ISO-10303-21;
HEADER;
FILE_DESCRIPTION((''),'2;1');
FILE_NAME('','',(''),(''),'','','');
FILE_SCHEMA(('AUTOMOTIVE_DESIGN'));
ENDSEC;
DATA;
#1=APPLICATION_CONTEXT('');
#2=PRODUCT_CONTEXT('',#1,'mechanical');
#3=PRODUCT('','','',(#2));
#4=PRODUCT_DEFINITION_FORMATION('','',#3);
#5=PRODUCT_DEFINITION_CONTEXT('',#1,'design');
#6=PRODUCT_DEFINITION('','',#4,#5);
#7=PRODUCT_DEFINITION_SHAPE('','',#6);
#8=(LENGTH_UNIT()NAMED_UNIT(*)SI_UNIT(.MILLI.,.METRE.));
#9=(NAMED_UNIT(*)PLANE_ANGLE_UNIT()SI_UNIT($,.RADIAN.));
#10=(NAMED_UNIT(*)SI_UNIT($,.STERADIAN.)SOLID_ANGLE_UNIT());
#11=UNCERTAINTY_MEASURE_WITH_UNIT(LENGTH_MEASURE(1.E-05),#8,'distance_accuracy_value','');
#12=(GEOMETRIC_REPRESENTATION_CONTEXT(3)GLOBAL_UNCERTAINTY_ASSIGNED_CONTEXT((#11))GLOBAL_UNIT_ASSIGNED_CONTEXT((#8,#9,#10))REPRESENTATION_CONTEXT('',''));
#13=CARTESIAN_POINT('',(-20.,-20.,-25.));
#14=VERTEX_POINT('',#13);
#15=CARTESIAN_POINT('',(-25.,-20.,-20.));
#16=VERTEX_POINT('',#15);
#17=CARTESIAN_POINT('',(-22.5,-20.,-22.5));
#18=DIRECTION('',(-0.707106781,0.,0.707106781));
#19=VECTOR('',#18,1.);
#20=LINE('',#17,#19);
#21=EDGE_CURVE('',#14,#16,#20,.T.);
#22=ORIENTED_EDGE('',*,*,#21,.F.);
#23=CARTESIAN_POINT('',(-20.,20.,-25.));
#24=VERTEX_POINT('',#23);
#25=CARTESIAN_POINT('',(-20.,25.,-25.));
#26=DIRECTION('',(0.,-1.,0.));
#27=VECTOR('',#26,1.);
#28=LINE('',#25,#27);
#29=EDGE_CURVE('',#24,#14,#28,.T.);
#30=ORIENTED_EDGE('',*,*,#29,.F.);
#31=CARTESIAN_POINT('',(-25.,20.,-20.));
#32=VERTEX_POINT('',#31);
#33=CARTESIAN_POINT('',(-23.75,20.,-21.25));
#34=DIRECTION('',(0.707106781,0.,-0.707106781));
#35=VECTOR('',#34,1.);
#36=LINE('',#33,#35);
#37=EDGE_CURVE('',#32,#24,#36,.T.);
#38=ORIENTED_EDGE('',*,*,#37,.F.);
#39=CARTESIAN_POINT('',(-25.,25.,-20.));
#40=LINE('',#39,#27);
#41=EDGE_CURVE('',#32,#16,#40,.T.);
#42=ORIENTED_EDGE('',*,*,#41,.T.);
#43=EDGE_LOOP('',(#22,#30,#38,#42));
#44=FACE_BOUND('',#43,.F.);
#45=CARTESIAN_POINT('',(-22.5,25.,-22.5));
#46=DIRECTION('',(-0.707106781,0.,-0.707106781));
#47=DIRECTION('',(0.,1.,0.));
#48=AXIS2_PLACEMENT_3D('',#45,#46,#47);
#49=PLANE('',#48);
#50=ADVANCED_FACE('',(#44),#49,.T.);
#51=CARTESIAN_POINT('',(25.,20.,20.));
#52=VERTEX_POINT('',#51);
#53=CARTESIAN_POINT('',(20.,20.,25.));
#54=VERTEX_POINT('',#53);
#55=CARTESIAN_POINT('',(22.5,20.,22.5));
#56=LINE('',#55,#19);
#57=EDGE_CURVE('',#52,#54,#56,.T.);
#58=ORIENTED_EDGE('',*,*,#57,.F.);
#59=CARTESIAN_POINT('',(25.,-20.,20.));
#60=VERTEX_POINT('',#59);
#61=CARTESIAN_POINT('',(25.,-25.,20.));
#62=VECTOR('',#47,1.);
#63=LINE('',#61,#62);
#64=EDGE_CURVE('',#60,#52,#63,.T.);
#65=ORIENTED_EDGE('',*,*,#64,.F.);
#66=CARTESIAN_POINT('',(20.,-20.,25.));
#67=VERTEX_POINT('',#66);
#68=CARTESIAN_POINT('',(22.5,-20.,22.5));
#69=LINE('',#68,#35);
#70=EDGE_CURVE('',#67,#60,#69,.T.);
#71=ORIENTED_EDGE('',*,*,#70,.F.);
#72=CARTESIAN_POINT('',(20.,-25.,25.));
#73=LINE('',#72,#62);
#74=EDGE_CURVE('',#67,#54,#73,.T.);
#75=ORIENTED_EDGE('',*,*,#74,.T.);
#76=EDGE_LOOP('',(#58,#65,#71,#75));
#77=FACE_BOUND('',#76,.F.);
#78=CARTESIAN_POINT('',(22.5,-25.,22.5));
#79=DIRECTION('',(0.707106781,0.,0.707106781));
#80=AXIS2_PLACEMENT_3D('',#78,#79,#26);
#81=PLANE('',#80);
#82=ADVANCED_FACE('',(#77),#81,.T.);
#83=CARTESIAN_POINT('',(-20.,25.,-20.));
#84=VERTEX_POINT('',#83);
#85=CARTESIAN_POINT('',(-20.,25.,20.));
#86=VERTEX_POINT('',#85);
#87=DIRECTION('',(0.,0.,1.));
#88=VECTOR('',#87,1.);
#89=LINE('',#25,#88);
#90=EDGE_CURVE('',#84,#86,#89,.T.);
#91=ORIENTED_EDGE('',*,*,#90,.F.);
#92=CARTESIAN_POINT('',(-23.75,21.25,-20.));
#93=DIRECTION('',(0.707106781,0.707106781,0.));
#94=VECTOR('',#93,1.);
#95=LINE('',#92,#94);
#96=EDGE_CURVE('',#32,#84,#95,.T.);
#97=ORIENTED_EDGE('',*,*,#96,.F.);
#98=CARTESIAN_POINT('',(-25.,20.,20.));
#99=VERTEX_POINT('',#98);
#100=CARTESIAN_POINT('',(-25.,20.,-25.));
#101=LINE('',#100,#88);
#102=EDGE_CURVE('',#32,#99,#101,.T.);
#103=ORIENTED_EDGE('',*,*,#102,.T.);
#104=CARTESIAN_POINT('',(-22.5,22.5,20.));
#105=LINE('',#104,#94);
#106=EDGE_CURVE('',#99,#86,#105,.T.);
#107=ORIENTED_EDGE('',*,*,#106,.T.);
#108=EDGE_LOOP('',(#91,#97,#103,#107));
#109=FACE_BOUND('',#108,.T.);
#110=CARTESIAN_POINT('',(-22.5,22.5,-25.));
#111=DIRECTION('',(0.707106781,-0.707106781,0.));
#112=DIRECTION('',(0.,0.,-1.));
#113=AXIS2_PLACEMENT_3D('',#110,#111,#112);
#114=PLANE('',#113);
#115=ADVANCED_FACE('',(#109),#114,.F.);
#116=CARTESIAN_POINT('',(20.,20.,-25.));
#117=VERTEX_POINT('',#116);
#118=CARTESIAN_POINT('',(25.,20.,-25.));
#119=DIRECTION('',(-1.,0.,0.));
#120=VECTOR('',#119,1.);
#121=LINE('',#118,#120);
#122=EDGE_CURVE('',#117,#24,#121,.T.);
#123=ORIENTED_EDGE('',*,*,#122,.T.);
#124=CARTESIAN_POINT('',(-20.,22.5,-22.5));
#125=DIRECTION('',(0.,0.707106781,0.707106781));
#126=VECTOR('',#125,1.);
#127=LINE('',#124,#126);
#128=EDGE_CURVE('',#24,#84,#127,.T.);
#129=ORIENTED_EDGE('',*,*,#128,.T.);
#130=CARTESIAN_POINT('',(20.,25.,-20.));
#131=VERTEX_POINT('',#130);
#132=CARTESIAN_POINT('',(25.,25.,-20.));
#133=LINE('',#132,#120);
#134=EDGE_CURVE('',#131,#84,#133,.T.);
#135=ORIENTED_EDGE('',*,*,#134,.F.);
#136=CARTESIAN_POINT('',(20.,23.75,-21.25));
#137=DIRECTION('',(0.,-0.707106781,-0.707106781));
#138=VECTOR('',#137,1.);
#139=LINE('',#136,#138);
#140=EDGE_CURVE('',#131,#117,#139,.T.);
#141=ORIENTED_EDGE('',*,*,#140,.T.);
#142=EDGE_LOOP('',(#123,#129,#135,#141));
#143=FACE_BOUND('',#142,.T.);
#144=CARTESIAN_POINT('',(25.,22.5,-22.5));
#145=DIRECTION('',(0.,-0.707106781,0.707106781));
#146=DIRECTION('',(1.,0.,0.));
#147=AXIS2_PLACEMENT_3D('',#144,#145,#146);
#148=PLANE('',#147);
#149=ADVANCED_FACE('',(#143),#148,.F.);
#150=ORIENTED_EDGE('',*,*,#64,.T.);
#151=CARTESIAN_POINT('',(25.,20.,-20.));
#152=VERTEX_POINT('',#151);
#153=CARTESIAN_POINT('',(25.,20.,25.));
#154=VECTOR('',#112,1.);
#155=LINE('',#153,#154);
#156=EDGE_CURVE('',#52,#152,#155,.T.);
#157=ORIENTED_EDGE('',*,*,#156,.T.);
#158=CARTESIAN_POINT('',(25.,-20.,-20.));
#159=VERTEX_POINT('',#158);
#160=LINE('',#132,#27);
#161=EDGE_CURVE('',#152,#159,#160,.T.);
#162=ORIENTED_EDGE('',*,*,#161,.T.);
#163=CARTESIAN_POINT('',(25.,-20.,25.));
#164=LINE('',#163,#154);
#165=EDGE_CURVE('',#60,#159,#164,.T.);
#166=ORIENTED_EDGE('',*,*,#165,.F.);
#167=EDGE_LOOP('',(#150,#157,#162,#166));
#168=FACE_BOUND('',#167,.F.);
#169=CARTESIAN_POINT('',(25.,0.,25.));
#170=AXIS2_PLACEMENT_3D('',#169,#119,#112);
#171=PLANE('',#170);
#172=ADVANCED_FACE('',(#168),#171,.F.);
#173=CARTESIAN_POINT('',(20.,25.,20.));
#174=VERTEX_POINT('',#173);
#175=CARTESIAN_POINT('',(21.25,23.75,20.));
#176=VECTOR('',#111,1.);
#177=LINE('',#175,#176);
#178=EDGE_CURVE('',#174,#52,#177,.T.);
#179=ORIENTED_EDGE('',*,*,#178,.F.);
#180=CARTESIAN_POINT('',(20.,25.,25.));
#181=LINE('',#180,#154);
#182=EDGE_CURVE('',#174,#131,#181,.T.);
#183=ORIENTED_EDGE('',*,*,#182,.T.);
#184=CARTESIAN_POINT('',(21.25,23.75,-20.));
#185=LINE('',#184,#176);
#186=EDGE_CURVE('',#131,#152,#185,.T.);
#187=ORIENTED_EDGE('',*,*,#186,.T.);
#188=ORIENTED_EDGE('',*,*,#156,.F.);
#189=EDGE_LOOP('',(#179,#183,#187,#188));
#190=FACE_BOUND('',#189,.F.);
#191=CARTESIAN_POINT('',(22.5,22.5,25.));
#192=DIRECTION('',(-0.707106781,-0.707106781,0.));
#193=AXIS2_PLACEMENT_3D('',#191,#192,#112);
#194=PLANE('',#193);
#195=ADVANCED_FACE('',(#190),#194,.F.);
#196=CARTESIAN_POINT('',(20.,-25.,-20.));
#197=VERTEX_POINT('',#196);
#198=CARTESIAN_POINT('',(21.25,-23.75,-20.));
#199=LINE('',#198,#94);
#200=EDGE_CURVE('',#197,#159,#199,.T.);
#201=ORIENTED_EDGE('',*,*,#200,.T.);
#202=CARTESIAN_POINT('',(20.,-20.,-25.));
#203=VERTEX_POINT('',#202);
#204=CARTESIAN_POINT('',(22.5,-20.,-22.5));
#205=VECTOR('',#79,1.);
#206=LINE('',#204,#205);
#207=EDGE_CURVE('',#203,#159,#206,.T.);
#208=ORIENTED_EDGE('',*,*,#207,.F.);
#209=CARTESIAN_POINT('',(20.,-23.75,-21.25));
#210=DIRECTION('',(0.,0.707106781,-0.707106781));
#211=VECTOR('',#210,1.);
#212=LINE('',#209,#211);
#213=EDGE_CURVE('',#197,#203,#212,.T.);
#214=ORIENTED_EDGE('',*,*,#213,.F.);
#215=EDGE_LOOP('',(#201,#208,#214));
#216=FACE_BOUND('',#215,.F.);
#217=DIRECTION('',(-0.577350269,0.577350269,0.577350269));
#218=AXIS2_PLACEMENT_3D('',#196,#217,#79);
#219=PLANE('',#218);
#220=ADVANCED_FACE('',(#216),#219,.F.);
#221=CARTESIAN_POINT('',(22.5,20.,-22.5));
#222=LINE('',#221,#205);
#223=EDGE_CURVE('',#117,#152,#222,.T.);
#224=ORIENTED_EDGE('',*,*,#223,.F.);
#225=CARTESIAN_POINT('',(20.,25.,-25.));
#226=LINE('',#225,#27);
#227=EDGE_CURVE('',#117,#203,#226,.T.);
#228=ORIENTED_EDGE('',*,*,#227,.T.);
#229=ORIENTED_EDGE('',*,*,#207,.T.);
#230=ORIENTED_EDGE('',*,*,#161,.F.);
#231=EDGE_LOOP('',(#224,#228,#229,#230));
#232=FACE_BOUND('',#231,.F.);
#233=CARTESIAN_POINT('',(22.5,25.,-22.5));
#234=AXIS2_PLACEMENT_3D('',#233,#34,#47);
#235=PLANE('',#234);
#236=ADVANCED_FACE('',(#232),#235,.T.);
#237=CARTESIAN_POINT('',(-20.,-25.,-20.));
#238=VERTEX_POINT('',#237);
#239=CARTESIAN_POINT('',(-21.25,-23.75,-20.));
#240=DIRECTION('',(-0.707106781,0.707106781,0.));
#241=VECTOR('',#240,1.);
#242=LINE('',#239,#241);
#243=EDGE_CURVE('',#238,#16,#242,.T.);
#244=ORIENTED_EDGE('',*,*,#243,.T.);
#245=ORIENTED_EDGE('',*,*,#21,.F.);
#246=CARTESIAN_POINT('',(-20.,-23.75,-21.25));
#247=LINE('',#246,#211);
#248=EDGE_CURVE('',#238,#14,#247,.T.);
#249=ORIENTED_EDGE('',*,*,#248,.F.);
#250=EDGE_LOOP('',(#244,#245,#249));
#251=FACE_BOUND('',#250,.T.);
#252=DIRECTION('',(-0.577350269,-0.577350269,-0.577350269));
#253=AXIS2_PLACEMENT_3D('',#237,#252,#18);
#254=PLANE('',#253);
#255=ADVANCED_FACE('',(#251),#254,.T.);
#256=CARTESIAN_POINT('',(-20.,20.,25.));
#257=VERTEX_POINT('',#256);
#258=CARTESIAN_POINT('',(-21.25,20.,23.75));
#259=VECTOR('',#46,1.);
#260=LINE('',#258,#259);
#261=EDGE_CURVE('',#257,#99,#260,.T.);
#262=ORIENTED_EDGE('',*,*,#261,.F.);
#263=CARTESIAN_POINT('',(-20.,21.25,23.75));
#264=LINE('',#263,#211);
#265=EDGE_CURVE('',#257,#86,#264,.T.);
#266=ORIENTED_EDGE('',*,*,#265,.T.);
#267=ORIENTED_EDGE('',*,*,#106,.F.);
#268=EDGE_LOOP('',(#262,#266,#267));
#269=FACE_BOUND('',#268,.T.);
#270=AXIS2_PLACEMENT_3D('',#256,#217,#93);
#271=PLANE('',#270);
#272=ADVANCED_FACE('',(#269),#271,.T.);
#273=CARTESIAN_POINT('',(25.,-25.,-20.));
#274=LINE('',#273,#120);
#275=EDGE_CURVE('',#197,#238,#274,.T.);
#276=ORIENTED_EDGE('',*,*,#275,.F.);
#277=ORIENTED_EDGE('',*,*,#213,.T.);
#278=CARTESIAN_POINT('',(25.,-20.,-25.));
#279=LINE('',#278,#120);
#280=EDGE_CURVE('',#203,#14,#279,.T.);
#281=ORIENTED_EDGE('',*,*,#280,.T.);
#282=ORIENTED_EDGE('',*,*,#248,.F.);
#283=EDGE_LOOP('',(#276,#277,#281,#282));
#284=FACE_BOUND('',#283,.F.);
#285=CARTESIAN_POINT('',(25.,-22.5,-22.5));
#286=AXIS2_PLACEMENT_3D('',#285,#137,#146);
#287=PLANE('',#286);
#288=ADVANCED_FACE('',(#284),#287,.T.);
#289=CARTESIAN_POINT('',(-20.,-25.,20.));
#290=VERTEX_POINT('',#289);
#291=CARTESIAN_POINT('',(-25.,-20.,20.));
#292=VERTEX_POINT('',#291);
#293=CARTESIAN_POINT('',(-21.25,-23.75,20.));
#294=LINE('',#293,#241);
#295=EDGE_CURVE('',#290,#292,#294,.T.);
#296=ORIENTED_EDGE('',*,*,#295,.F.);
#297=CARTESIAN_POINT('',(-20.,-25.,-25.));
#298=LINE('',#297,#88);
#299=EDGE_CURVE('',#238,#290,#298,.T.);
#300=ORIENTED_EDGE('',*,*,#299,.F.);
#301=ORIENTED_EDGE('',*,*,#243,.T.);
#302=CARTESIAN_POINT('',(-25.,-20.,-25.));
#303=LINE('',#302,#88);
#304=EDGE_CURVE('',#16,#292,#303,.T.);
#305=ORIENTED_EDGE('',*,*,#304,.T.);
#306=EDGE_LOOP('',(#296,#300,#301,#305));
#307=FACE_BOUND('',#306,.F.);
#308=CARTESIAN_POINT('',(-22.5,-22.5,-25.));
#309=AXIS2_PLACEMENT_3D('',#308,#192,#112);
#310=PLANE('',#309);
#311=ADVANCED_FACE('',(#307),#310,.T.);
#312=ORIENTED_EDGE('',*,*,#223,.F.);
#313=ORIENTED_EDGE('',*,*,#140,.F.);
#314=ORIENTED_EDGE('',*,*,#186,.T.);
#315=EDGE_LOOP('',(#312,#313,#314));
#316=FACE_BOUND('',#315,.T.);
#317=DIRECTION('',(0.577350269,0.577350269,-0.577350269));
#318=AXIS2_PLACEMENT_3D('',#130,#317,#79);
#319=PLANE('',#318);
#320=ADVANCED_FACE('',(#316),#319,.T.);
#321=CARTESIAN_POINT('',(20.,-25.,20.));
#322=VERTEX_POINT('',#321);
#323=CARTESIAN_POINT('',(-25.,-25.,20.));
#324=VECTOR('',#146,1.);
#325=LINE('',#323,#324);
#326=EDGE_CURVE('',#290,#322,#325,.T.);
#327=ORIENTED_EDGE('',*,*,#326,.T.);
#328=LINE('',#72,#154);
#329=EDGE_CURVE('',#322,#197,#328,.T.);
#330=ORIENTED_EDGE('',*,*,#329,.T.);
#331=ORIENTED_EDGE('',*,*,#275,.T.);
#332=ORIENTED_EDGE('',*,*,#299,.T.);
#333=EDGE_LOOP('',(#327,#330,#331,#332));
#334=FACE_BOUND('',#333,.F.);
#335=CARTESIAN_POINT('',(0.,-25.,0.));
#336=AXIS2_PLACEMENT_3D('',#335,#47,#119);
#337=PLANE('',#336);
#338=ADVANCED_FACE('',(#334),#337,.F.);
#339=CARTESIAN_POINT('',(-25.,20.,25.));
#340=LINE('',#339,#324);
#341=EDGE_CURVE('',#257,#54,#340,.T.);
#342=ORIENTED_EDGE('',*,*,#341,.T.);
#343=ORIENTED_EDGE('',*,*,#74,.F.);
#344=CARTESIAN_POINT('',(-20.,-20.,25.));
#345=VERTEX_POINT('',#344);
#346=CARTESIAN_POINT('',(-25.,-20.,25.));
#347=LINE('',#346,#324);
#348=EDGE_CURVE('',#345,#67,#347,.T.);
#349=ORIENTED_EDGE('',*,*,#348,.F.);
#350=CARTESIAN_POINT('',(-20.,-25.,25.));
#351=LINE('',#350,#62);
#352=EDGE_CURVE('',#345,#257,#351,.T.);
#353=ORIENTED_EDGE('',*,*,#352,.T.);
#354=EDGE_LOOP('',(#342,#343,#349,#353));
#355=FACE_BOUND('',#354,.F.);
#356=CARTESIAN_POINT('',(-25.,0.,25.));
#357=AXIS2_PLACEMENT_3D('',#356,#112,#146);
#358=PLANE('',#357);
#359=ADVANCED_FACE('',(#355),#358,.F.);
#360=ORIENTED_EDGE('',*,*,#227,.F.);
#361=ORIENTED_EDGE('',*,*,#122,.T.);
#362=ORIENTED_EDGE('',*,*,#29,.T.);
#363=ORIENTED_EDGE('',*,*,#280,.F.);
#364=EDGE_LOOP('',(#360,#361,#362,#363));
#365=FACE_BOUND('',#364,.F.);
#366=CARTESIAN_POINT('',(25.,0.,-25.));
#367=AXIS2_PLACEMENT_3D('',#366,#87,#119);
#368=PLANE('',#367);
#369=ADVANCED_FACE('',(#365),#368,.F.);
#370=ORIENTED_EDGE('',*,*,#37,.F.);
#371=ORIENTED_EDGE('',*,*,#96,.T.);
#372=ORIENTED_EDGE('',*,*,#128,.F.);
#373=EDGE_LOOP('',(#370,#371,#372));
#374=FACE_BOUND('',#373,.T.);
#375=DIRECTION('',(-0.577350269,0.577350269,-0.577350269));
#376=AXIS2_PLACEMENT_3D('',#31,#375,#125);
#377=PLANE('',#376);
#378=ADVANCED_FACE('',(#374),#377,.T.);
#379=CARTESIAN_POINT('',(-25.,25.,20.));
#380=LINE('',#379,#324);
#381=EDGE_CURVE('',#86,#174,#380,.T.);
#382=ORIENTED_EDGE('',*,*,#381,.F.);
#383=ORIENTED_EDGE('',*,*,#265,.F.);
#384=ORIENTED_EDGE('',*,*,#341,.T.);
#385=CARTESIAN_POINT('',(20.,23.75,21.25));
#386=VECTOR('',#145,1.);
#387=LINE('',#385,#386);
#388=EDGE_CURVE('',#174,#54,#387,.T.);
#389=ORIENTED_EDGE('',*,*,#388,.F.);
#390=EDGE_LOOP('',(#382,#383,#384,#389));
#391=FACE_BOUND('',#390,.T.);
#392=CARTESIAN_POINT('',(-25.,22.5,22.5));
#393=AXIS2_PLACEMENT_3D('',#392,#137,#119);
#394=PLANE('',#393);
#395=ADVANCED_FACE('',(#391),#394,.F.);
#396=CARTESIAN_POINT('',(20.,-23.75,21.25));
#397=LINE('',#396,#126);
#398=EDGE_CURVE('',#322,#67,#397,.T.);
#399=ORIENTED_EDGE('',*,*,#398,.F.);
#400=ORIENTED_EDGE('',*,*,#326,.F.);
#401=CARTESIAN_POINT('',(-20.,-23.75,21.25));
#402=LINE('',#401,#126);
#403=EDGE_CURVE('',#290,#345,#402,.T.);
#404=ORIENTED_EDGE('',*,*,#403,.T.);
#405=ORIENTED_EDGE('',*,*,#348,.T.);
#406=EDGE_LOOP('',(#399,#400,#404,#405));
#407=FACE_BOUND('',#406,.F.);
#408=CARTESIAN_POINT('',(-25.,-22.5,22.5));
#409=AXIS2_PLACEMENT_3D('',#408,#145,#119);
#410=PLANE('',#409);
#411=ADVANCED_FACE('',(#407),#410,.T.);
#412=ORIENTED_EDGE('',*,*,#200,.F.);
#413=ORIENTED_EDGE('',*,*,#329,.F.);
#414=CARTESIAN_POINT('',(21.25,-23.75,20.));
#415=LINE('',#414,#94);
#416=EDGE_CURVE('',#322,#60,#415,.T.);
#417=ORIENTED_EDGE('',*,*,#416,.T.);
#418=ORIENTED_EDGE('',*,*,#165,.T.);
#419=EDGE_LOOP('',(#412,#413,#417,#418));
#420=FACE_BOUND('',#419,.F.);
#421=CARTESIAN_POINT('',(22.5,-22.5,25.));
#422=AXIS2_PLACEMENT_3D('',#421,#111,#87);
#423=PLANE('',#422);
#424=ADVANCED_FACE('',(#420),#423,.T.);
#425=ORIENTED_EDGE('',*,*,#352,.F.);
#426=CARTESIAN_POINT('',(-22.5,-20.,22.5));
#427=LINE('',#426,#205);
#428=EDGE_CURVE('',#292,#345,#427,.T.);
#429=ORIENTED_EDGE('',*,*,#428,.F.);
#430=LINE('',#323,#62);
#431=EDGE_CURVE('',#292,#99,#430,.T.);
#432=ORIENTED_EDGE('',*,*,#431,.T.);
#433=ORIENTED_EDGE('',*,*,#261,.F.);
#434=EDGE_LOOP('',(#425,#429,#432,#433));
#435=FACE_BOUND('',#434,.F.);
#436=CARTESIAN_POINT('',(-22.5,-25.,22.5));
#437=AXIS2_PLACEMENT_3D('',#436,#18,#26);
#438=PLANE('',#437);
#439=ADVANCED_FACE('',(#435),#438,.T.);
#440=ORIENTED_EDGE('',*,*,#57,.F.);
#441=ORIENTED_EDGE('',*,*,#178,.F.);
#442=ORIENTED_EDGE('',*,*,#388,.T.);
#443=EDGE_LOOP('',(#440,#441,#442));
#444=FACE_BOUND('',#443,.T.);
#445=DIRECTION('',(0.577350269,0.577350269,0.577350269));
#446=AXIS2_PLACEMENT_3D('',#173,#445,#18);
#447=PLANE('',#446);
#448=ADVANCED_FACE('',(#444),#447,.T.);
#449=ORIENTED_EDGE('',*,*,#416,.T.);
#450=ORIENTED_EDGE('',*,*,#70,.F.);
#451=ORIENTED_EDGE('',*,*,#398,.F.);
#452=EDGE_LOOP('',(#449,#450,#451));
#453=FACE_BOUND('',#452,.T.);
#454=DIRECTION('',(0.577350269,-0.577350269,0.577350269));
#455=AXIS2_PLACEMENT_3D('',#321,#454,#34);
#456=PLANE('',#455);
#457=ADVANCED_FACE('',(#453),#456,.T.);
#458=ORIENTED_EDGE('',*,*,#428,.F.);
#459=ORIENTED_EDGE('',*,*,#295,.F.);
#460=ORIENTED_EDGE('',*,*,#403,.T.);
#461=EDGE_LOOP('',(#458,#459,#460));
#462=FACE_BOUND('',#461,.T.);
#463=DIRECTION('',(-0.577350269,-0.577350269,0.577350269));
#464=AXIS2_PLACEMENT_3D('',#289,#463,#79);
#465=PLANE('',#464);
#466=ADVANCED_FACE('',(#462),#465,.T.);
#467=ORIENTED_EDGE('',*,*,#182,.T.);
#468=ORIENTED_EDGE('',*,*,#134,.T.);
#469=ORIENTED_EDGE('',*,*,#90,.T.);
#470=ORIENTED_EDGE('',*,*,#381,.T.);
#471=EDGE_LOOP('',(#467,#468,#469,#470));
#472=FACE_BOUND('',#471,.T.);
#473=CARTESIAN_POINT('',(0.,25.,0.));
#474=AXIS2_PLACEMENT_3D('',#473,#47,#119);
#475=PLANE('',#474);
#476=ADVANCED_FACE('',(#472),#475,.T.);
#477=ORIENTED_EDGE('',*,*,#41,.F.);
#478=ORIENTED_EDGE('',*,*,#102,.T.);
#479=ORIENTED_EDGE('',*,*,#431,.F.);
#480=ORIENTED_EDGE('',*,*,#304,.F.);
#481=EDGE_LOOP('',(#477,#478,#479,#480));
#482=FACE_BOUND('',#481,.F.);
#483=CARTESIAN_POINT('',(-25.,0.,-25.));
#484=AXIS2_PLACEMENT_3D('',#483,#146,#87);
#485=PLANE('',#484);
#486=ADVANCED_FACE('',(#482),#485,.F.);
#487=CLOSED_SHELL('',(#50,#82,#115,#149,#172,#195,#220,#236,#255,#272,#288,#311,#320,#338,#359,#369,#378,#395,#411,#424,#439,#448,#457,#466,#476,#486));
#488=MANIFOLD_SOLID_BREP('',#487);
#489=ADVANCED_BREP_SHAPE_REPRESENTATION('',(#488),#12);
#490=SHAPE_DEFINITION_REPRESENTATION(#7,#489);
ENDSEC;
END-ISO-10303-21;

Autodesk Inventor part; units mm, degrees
ref_plane "YZ Plane" through (0, 0, 0) normal (1, 0, 0) x (0, 1, 0)
ref_plane "XZ Plane" through (0, 0, 0) normal (0, 1, 0) x (-1, 0, 0)
ref_plane "XY Plane" through (0, 0, 0) normal (0, 0, 1) x (1, 0, 0)
sketch "Sketch1" plane through (0, 0, 0) normal (0, 1, 0) x (-1, 0, 0)
  line L0 (25, 25) -> (-25, 25)
  line L1 (-25, 25) -> (-25, -25)
  line L2 (-25, -25) -> (25, -25)
  line L3 (25, -25) -> (25, 25)
  line L4 (25, 25) -> (-25, -25) construction
  line L5 (-25, 25) -> (25, -25) construction
  point P0 (0, 0)
  dimension "d0" = 50
  dimension "d1" = 50
extrude "Extrusion1" add sketch "Sketch1" along normal mid plane 50
chamfer "Chamfer1" distance 5 angle 45 12 edges at (25, 0, -25) (0, 25, -25) (-25, 0, -25) (-25, 25, 0) (-25, 0, 25) (25, 0, 25) (0, -25, -25) (-25, -25, 0) (0, -25, 25) (25, -25, 0) (25, 25, 0) (0, 25, 25)
properties part number "ElementaryCube" material "Silver"
